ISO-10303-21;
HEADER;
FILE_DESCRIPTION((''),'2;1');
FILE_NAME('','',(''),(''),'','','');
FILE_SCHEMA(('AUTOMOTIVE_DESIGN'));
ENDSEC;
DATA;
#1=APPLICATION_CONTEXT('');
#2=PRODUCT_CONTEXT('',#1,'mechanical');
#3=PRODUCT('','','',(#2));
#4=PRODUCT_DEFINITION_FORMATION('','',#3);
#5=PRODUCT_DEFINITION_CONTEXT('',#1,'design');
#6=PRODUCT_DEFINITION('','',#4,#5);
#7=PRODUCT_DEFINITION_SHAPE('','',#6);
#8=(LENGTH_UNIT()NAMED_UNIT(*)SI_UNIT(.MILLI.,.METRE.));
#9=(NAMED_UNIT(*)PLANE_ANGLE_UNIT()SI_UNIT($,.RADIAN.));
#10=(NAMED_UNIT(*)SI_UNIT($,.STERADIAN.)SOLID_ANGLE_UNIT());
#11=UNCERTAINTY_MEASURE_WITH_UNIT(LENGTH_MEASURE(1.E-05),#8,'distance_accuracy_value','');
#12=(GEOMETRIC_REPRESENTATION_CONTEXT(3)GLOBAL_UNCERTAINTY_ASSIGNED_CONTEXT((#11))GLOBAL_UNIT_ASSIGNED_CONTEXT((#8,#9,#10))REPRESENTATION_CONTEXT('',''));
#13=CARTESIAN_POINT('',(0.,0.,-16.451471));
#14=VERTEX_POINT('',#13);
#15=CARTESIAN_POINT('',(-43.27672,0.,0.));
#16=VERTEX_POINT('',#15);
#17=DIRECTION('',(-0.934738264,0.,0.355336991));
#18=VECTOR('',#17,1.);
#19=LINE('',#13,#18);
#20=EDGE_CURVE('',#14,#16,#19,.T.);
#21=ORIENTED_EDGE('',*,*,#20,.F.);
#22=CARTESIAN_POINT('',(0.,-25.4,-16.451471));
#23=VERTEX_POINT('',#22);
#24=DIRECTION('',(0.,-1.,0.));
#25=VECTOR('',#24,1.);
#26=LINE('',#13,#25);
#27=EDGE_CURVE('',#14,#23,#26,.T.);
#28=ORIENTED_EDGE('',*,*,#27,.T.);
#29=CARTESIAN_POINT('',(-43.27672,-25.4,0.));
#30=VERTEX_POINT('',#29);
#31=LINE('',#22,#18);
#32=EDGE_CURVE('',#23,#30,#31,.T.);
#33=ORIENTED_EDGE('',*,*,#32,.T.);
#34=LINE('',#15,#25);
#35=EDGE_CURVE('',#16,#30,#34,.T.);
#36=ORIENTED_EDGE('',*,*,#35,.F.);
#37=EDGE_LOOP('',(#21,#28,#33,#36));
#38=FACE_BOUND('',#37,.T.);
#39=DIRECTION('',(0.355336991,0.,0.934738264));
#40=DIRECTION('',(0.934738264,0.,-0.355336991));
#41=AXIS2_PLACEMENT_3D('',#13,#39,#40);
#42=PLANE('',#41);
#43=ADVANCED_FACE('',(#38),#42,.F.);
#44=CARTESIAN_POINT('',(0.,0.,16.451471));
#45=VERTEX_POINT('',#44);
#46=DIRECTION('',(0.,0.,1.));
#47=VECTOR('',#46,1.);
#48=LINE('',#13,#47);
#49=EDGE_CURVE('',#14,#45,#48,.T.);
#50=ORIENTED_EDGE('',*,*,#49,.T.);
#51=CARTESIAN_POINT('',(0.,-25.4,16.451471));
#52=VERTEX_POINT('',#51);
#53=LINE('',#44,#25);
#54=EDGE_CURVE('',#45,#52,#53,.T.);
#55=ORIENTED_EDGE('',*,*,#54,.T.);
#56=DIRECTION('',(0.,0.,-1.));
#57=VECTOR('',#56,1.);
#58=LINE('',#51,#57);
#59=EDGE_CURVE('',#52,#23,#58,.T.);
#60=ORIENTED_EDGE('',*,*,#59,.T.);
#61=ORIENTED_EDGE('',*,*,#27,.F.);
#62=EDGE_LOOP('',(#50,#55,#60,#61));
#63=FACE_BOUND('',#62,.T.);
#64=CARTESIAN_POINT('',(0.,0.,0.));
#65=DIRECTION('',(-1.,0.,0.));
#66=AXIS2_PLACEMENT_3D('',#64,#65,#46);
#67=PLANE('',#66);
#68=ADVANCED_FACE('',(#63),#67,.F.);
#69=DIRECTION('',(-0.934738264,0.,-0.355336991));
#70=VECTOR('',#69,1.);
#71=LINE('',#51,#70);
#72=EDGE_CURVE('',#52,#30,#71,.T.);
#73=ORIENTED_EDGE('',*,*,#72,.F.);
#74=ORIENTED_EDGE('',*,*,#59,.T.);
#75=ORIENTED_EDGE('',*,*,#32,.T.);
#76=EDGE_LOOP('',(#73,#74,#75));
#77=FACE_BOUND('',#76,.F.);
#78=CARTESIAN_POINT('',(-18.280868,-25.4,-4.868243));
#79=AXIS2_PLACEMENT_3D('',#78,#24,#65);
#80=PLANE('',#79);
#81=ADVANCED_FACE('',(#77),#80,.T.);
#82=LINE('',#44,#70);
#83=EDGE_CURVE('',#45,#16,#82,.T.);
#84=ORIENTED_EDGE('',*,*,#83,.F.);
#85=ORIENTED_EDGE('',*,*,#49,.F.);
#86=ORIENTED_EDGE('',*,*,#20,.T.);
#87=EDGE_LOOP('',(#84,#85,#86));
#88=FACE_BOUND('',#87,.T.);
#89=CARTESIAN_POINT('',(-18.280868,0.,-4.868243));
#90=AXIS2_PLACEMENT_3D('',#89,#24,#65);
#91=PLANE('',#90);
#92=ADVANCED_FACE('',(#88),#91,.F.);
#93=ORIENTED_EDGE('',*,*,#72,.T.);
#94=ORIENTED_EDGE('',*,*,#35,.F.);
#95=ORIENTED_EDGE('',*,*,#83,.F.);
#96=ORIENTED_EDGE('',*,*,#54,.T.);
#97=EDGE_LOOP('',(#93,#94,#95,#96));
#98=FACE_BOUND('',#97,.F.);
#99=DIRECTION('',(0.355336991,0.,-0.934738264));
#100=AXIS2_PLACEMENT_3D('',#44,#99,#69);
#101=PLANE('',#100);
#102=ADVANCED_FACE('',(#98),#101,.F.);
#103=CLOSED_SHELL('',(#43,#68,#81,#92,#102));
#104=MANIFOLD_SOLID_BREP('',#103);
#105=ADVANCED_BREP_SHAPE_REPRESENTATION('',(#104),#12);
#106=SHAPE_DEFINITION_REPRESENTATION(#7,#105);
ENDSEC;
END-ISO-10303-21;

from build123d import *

# Parameters (mm, degrees)
F1_DEPTH = 25.4


with BuildPart() as f1:
    # F0 (on Front) → F1 (new body)
    with BuildSketch(Plane.XZ):
        Polygon((-43.27672, 0), (0, 0), (0, 16.451471), align=None)
    extrude(amount=F1_DEPTH)

    # F2: F1 across plane


with BuildPart() as f1_1:
    add(f1.part)
    add(f1.part.mirror(Plane.XY))


solid = f1_1.part
